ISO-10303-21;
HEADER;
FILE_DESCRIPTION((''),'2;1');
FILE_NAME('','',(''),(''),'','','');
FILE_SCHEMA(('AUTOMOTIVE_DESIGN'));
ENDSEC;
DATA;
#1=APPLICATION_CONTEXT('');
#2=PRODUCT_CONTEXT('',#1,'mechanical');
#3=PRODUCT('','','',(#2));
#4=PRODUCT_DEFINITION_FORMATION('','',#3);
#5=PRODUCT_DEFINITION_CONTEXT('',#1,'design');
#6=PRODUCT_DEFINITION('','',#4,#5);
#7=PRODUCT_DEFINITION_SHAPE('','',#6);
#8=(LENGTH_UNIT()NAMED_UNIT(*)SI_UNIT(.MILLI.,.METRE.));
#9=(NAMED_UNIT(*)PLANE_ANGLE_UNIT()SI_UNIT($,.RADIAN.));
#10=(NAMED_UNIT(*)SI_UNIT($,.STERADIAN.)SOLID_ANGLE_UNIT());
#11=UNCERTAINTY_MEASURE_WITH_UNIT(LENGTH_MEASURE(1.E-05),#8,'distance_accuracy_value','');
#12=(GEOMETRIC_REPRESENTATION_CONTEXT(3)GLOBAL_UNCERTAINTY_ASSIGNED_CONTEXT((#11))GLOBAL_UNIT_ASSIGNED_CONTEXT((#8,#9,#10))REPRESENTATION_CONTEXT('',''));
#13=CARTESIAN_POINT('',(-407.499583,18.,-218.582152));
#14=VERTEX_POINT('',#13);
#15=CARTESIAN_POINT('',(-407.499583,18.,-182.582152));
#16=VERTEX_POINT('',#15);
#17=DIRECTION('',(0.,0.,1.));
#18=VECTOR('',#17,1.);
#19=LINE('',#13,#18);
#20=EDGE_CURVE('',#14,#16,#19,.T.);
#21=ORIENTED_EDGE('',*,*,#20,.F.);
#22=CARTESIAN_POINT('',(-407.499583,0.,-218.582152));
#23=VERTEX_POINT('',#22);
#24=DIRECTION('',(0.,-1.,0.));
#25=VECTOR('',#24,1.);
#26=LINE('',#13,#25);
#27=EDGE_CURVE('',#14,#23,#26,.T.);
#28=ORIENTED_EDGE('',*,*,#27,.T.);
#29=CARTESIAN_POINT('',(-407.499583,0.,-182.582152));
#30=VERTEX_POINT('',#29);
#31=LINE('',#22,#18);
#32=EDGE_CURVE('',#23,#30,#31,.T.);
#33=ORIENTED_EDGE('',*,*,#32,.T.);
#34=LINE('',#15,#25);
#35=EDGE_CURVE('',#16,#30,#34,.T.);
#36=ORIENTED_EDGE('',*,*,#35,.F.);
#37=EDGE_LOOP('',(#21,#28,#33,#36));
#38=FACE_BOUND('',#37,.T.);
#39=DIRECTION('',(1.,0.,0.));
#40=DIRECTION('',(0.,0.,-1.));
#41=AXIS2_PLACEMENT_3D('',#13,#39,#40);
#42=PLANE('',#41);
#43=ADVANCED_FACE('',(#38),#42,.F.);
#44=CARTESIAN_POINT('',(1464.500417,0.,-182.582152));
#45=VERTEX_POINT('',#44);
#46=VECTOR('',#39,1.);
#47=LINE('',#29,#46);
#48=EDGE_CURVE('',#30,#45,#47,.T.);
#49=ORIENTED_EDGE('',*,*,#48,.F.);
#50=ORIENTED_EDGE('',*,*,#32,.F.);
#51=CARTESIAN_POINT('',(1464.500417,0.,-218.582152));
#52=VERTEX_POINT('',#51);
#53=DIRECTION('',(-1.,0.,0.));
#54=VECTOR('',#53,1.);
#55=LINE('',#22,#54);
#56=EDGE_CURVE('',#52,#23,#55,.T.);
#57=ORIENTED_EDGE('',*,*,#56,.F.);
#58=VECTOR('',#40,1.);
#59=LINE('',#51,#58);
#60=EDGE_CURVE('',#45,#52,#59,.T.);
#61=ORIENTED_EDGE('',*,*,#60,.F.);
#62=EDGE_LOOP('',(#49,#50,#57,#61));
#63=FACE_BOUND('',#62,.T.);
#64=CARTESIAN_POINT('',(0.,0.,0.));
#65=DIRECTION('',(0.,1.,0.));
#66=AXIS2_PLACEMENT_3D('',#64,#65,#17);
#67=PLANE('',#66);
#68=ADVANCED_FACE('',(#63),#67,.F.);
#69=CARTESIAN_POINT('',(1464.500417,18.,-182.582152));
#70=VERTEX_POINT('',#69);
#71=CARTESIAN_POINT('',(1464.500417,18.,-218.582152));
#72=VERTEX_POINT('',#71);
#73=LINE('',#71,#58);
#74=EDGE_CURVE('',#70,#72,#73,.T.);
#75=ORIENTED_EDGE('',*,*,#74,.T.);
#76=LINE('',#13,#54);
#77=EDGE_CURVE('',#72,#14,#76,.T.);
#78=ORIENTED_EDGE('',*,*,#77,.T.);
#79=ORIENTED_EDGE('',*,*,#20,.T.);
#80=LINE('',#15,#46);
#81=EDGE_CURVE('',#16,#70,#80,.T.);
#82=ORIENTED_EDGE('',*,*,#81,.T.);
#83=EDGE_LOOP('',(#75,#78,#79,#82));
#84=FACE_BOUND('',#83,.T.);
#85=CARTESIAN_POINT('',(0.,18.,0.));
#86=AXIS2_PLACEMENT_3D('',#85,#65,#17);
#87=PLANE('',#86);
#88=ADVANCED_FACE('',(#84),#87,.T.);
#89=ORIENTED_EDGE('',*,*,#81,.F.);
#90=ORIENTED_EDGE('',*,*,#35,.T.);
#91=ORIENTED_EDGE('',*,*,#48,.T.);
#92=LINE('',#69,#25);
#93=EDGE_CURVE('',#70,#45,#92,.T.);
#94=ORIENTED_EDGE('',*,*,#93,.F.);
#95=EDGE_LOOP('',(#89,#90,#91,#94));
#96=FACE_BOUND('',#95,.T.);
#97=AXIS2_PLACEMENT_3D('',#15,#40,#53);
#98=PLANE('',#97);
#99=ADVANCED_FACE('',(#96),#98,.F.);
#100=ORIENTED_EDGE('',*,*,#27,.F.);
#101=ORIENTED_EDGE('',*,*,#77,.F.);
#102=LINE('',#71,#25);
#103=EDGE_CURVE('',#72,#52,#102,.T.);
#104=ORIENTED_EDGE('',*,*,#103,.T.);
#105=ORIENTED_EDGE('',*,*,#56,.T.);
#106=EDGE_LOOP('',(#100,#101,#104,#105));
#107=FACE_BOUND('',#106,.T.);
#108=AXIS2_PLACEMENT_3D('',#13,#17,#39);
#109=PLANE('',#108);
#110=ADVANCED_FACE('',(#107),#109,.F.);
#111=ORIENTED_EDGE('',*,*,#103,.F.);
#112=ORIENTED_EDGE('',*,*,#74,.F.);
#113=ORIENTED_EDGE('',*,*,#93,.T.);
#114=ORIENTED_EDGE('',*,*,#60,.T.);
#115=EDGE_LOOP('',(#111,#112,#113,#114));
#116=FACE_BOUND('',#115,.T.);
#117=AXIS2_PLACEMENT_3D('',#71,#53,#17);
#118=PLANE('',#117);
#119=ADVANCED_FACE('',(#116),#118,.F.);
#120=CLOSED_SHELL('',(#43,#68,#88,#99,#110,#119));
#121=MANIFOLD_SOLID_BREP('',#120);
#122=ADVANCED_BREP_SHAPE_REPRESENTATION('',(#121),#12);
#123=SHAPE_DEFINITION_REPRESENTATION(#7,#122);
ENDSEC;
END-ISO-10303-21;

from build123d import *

# Parameters (mm, degrees)
SKETCH_1_W      = 1872
SKETCH_1_H      = 36
EXTRUDE_1_DEPTH = 18


with BuildPart() as part:
    # 草图1 → 凸台-拉伸1 (new body)
    with BuildSketch(Plane(origin=(0, 0, 0), x_dir=(1, 0, 0), z_dir=(0, 1, 0))):
        with Locations((528.500417014, 200.582151793)):
            Rectangle(SKETCH_1_W, SKETCH_1_H)
    extrude(amount=EXTRUDE_1_DEPTH)


solid = part.part
